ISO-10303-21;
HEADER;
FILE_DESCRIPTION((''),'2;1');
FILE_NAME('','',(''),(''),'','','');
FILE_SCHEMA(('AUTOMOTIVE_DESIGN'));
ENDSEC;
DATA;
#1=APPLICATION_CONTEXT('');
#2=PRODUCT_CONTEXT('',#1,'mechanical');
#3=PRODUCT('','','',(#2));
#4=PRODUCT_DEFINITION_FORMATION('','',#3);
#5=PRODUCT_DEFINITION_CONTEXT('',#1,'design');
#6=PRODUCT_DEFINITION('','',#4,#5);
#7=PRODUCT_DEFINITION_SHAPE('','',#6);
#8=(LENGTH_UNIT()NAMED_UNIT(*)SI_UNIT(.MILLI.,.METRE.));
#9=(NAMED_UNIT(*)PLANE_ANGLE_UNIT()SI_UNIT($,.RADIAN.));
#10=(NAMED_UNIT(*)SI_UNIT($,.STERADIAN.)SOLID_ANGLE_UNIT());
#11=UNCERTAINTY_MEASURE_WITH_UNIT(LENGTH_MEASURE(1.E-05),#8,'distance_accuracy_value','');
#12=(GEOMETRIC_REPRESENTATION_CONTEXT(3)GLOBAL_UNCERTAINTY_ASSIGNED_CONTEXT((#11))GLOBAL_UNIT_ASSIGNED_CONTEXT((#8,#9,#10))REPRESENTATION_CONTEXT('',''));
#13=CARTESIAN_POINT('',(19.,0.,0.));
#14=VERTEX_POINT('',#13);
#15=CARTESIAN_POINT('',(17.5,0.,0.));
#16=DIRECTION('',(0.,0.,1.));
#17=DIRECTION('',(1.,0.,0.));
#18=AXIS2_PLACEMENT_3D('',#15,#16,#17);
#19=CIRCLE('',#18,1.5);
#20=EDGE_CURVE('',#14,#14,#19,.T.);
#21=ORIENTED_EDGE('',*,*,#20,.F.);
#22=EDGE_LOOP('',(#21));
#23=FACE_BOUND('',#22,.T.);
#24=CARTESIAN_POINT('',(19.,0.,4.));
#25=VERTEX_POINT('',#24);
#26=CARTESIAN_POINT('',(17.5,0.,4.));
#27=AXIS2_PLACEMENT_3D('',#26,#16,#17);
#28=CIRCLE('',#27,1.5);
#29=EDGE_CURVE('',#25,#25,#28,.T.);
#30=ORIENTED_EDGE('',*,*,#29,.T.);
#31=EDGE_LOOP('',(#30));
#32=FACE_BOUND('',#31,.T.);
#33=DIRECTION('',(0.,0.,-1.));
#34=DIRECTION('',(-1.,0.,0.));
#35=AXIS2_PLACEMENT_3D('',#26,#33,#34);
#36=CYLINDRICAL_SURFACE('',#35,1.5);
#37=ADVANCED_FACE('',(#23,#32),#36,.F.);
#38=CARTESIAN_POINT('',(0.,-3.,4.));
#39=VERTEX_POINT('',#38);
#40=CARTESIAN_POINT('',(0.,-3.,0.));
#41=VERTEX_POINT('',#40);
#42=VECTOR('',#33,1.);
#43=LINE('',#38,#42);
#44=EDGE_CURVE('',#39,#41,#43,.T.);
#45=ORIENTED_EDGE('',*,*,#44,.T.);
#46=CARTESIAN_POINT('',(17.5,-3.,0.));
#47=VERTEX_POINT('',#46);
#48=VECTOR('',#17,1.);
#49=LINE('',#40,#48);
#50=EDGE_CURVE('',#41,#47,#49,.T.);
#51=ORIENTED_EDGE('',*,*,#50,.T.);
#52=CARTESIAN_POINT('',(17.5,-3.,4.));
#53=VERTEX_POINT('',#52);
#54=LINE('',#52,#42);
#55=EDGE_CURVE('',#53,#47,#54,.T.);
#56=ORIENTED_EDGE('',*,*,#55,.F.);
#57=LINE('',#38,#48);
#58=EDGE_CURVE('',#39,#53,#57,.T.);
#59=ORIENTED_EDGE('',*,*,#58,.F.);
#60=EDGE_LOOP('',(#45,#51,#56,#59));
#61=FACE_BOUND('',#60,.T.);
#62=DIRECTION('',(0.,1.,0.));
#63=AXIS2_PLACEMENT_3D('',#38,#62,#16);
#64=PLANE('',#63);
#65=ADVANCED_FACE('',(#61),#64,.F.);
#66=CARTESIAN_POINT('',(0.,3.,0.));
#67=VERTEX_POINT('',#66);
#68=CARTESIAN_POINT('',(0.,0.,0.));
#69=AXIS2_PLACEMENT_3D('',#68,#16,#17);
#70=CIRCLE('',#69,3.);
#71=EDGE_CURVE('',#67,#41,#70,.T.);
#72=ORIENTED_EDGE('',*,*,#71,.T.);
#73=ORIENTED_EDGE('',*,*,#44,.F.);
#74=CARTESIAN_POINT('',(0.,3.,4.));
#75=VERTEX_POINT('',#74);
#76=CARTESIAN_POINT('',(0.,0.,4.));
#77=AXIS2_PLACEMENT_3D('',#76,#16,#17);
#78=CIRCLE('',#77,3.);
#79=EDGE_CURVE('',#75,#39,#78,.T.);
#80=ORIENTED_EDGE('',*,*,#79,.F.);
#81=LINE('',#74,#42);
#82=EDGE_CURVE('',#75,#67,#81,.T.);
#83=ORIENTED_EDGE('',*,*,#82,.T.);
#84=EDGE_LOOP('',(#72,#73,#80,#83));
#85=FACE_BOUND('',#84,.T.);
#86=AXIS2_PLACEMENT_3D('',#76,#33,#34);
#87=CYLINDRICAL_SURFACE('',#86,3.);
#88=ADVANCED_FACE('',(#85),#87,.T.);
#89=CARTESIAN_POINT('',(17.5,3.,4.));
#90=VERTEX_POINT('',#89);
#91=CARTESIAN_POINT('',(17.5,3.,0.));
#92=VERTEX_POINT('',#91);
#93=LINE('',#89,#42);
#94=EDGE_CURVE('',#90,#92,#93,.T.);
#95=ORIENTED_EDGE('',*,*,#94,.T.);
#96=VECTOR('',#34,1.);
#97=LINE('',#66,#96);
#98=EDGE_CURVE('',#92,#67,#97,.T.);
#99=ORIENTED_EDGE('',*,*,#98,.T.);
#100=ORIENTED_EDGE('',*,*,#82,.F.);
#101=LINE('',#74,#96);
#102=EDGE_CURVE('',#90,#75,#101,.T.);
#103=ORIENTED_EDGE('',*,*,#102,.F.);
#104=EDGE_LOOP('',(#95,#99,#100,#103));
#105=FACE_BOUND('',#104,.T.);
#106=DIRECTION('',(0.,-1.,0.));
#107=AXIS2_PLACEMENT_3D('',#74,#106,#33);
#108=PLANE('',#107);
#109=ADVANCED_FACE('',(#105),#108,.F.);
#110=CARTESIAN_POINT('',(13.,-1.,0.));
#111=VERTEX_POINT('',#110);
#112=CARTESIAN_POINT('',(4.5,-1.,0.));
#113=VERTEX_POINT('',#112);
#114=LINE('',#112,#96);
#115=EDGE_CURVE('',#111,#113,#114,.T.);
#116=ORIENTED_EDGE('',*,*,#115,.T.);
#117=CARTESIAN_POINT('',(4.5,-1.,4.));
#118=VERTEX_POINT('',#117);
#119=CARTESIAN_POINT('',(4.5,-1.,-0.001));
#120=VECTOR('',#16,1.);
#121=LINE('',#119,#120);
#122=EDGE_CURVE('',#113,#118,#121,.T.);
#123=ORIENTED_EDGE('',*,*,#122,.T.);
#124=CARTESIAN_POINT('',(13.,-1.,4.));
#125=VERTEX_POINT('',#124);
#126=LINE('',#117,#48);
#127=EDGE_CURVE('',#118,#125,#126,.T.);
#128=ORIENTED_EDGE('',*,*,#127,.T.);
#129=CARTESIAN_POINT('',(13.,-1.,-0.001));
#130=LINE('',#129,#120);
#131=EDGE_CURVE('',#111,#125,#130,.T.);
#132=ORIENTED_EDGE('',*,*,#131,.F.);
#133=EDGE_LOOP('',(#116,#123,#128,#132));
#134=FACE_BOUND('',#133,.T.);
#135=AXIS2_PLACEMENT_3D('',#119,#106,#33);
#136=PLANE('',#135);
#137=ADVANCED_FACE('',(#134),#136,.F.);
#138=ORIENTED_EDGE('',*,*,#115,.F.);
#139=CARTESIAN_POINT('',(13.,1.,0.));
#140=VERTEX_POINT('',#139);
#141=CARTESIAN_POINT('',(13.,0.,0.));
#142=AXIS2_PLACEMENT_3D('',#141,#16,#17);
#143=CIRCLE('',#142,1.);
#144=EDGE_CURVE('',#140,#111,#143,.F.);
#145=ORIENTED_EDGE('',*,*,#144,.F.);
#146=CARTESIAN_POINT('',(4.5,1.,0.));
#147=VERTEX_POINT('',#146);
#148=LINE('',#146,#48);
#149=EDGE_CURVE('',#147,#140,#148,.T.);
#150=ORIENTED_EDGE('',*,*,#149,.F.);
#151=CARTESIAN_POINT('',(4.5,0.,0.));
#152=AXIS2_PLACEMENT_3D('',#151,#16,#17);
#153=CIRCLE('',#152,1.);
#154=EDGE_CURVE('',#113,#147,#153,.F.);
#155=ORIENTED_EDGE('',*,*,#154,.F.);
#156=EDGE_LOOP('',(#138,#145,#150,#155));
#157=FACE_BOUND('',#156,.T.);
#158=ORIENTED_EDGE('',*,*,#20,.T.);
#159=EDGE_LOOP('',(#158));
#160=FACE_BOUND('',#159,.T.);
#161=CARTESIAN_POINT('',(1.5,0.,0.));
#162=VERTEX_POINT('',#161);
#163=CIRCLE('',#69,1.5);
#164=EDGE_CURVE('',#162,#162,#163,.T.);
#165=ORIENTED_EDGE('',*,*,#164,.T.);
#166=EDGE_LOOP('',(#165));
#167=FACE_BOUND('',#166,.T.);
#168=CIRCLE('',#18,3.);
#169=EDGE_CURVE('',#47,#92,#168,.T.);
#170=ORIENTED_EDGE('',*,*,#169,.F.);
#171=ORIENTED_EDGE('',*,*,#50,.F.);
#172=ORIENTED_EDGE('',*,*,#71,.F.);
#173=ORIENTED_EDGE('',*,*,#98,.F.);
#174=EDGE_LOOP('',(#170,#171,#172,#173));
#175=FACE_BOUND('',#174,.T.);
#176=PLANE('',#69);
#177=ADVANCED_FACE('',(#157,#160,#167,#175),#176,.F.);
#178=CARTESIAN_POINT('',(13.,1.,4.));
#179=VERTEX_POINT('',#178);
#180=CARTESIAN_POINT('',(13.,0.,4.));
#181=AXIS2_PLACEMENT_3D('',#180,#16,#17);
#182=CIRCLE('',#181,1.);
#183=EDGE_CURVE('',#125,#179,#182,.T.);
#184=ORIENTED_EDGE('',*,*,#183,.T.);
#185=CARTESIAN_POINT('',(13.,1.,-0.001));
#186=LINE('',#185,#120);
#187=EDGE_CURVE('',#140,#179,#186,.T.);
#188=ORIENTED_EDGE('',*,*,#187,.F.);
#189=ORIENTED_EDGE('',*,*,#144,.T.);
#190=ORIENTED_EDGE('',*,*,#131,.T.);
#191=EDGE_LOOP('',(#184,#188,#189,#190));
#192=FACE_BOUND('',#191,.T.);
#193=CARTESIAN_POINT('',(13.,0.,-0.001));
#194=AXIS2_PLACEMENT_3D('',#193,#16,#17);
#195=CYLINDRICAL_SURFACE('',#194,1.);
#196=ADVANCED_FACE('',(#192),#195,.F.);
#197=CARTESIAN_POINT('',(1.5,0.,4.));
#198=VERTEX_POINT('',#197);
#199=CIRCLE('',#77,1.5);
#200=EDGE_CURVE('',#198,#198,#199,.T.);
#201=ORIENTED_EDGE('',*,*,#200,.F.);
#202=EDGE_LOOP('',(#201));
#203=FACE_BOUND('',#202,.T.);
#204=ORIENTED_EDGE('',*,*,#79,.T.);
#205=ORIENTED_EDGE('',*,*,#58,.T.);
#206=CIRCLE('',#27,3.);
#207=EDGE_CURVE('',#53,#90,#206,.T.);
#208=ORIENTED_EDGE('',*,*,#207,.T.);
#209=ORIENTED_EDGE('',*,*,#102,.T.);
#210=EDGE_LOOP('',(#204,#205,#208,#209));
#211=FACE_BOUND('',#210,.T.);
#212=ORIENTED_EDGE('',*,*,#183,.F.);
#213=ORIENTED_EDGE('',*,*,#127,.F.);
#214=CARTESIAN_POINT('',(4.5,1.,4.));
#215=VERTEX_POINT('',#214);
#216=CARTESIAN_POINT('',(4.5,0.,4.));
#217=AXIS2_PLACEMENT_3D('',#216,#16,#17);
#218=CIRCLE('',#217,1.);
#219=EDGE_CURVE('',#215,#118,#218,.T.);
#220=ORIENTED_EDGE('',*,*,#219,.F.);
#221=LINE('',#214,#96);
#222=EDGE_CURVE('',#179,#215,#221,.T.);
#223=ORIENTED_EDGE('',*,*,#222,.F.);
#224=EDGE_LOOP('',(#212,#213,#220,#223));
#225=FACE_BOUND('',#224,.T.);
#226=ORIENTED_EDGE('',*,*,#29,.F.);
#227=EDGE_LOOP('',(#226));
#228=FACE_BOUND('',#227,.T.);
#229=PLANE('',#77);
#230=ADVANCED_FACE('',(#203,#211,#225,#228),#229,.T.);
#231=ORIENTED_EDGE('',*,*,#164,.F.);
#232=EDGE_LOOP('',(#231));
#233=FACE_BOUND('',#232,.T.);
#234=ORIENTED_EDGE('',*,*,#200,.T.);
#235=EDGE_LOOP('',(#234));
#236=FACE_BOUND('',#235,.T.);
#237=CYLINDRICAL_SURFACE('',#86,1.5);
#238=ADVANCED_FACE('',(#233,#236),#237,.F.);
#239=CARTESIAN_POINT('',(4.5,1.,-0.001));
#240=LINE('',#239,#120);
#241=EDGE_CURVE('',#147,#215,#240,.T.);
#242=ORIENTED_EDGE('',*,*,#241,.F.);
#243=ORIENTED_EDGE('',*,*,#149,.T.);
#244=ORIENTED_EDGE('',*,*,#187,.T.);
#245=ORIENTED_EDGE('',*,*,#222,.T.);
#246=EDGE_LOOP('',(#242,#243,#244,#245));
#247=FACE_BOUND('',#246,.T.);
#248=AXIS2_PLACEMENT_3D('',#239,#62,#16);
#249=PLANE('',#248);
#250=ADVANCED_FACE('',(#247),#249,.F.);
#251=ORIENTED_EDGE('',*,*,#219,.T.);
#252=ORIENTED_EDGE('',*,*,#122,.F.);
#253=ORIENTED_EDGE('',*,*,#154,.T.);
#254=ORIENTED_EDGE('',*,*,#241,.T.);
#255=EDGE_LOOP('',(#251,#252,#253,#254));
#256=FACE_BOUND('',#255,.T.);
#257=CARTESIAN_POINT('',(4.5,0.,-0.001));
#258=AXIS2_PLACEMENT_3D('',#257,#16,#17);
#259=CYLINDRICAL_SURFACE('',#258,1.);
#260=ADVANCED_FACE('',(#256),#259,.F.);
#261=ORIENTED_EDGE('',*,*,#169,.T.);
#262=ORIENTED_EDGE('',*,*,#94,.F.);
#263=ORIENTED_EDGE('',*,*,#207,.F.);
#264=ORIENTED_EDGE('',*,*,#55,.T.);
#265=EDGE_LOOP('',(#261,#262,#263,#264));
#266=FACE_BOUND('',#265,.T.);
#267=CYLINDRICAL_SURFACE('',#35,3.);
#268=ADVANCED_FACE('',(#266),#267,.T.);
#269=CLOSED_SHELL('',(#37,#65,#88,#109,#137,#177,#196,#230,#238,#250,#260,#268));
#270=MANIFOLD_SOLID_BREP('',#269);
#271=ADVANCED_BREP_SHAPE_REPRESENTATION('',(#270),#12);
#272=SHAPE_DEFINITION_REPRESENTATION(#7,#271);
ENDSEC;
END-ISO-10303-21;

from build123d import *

# Parameters (mm, degrees)
ESQUISSE1_R             = 1.5
BOSS_EXTRU_1_DEPTH      = 4
ENL_V_MAT_EXTRU_1_REACH = 23.101


with BuildPart() as part:
    # Esquisse1 → Boss.-Extru.1 (new body)
    with BuildSketch(Plane.XY):
        with BuildLine():
            Line((0, 3), (17.5, 3))
            ThreePointArc((17.5, 3), (20.5, 0), (17.5, -3))
            Line((17.5, -3), (0, -3))
            ThreePointArc((0, -3), (-3, 0), (0, 3))
        make_face()
        Circle(ESQUISSE1_R, mode=Mode.SUBTRACT)
        with Locations((17.5, 0)):
            Circle(ESQUISSE1_R, mode=Mode.SUBTRACT)
    extrude(amount=BOSS_EXTRU_1_DEPTH)

    # Esquisse2 → Enlèv. mat.-Extru.1 (cut, up to next)
    with BuildSketch(Plane.XY.offset(4), mode=Mode.PRIVATE) as enl_v_mat_extru_1_sk1:
        with BuildLine():
            Line((4.5, 1), (13, 1))
            ThreePointArc((13, 1), (14, 0), (13, -1))
            Line((13, -1), (4.5, -1))
            ThreePointArc((4.5, -1), (3.5, 0), (4.5, 1))
        make_face()
    enl_v_mat_extru_1_tool1 = extrude(enl_v_mat_extru_1_sk1.sketch, amount=-ENL_V_MAT_EXTRU_1_REACH, mode=Mode.PRIVATE) & part.part
    add(enl_v_mat_extru_1_tool1.solids().sort_by_distance((8.75, 0, 4))[0], mode=Mode.SUBTRACT)


solid = part.part
